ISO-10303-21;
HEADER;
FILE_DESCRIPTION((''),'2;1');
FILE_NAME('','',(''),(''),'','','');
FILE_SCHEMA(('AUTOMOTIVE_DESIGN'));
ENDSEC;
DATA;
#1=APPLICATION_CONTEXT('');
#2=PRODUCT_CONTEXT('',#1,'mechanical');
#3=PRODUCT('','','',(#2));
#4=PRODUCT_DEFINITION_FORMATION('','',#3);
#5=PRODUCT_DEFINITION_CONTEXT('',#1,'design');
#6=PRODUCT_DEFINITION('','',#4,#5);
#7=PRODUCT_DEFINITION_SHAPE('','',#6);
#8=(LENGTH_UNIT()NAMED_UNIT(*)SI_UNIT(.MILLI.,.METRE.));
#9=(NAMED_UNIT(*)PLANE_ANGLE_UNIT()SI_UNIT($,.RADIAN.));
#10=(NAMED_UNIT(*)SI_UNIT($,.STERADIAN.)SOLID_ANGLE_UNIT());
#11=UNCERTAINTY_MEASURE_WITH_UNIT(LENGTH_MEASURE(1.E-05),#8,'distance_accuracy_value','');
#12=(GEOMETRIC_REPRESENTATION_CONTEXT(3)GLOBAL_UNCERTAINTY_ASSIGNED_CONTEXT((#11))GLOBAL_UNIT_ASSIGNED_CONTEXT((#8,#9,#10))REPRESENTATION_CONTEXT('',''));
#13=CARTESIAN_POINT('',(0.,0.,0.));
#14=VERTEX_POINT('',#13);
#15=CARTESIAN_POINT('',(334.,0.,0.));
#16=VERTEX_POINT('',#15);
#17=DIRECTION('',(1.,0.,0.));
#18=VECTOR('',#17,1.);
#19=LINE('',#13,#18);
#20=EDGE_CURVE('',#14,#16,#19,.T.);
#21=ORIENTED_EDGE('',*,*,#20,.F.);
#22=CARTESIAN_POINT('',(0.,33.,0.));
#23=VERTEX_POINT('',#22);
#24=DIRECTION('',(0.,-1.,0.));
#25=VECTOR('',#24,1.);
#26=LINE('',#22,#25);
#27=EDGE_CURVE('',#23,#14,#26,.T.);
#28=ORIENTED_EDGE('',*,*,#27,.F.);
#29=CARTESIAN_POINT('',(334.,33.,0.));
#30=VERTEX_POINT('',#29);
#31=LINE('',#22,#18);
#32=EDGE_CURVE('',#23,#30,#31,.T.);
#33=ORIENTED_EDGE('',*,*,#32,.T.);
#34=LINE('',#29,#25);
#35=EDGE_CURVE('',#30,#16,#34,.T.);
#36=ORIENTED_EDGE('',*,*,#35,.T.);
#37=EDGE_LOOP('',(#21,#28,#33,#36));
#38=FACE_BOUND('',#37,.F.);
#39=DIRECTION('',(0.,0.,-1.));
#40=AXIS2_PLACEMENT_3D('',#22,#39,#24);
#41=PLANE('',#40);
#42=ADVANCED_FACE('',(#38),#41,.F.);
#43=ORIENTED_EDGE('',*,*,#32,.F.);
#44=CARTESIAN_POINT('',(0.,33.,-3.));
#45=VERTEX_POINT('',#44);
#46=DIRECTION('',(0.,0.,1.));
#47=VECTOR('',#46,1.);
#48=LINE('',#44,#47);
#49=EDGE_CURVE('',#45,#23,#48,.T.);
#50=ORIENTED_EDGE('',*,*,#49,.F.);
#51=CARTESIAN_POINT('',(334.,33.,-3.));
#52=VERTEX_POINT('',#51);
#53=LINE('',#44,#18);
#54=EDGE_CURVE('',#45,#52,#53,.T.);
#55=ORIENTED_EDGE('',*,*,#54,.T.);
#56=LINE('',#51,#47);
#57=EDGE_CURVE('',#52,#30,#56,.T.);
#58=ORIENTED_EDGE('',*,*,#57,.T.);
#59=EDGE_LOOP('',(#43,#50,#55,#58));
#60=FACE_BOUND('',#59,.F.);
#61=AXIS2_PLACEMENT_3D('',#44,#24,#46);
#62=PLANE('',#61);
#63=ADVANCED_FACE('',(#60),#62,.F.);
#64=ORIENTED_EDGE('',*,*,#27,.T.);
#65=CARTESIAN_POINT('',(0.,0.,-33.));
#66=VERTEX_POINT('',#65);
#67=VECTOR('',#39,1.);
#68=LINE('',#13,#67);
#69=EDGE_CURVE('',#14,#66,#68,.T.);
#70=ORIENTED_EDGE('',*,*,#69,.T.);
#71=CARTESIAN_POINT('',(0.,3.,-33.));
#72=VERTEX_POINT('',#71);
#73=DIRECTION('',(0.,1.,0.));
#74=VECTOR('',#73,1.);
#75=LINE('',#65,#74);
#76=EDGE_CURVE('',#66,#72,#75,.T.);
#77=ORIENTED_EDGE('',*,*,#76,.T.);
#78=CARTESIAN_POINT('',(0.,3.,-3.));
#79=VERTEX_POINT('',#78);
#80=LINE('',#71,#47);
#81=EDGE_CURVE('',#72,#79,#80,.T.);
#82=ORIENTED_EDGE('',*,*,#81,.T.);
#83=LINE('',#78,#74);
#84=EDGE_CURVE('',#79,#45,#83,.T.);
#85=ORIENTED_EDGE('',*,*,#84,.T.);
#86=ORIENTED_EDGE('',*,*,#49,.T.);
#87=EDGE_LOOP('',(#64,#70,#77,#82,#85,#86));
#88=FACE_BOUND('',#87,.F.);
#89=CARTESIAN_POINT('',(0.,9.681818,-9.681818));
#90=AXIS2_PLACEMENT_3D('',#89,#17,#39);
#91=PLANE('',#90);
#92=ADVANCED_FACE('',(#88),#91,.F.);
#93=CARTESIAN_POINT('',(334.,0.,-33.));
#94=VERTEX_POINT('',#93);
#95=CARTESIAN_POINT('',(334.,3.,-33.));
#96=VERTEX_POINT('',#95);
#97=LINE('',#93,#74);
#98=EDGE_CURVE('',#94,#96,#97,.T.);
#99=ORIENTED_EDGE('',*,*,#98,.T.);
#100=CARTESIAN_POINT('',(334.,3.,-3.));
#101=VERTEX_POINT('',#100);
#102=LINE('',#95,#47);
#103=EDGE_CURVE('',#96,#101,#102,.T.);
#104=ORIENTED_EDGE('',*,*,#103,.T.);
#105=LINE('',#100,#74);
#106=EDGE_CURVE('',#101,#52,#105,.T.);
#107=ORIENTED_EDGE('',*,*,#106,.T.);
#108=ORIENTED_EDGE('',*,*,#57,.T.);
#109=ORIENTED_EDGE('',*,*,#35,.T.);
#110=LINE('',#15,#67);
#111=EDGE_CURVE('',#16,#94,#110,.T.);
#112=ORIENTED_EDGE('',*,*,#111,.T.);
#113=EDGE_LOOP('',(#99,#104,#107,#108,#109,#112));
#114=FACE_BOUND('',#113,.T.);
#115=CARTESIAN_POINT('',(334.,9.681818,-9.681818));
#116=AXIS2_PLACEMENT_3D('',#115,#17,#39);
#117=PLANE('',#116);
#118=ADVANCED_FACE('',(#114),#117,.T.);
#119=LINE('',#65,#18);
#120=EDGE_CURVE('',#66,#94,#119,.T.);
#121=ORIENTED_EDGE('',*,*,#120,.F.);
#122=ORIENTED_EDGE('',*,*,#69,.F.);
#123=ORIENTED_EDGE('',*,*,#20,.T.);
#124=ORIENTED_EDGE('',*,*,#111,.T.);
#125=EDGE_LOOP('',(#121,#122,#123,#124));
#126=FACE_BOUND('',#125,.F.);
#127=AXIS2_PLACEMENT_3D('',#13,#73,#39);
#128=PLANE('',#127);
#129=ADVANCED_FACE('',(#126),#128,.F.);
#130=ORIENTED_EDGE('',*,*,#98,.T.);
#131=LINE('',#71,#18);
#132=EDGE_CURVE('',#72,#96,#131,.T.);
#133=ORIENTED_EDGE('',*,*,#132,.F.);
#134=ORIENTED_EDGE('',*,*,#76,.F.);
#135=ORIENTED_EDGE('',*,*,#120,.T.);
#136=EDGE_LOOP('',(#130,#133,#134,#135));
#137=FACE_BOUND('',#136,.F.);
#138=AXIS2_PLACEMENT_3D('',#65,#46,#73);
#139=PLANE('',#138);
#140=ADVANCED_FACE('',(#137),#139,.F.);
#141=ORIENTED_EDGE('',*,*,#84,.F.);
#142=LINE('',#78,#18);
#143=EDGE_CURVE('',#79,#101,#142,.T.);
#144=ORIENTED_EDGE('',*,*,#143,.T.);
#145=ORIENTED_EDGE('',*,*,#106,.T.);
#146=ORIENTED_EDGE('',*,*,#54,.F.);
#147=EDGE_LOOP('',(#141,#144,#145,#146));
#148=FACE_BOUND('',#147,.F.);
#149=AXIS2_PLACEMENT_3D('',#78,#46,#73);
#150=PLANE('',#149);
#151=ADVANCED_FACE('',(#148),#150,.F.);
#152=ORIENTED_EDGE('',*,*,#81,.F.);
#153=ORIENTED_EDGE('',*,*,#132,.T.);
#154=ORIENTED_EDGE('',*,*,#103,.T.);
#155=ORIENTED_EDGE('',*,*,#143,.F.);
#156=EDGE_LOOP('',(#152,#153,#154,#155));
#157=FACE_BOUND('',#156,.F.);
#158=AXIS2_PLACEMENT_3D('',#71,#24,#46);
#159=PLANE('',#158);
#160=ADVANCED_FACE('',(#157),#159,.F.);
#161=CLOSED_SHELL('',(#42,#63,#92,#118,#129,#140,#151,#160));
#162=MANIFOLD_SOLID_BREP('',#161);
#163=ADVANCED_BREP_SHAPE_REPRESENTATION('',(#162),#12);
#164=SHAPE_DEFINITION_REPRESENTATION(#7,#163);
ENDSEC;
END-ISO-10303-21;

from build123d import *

# Parameters (mm, degrees)
EXTRUDE_1_DEPTH = 334


with BuildPart() as part:
    # Эскиз1 → Вытянуть-Тонкостенный1 (new body)
    with BuildSketch(Plane(origin=(0, 0, 0), x_dir=(0, 0, -1), z_dir=(1, 0, 0))):
        Polygon((0, 33), (0, 0), (33, 0), (33, 3), (3, 3), (3, 33), align=None)
    extrude(amount=EXTRUDE_1_DEPTH)


solid = part.part
